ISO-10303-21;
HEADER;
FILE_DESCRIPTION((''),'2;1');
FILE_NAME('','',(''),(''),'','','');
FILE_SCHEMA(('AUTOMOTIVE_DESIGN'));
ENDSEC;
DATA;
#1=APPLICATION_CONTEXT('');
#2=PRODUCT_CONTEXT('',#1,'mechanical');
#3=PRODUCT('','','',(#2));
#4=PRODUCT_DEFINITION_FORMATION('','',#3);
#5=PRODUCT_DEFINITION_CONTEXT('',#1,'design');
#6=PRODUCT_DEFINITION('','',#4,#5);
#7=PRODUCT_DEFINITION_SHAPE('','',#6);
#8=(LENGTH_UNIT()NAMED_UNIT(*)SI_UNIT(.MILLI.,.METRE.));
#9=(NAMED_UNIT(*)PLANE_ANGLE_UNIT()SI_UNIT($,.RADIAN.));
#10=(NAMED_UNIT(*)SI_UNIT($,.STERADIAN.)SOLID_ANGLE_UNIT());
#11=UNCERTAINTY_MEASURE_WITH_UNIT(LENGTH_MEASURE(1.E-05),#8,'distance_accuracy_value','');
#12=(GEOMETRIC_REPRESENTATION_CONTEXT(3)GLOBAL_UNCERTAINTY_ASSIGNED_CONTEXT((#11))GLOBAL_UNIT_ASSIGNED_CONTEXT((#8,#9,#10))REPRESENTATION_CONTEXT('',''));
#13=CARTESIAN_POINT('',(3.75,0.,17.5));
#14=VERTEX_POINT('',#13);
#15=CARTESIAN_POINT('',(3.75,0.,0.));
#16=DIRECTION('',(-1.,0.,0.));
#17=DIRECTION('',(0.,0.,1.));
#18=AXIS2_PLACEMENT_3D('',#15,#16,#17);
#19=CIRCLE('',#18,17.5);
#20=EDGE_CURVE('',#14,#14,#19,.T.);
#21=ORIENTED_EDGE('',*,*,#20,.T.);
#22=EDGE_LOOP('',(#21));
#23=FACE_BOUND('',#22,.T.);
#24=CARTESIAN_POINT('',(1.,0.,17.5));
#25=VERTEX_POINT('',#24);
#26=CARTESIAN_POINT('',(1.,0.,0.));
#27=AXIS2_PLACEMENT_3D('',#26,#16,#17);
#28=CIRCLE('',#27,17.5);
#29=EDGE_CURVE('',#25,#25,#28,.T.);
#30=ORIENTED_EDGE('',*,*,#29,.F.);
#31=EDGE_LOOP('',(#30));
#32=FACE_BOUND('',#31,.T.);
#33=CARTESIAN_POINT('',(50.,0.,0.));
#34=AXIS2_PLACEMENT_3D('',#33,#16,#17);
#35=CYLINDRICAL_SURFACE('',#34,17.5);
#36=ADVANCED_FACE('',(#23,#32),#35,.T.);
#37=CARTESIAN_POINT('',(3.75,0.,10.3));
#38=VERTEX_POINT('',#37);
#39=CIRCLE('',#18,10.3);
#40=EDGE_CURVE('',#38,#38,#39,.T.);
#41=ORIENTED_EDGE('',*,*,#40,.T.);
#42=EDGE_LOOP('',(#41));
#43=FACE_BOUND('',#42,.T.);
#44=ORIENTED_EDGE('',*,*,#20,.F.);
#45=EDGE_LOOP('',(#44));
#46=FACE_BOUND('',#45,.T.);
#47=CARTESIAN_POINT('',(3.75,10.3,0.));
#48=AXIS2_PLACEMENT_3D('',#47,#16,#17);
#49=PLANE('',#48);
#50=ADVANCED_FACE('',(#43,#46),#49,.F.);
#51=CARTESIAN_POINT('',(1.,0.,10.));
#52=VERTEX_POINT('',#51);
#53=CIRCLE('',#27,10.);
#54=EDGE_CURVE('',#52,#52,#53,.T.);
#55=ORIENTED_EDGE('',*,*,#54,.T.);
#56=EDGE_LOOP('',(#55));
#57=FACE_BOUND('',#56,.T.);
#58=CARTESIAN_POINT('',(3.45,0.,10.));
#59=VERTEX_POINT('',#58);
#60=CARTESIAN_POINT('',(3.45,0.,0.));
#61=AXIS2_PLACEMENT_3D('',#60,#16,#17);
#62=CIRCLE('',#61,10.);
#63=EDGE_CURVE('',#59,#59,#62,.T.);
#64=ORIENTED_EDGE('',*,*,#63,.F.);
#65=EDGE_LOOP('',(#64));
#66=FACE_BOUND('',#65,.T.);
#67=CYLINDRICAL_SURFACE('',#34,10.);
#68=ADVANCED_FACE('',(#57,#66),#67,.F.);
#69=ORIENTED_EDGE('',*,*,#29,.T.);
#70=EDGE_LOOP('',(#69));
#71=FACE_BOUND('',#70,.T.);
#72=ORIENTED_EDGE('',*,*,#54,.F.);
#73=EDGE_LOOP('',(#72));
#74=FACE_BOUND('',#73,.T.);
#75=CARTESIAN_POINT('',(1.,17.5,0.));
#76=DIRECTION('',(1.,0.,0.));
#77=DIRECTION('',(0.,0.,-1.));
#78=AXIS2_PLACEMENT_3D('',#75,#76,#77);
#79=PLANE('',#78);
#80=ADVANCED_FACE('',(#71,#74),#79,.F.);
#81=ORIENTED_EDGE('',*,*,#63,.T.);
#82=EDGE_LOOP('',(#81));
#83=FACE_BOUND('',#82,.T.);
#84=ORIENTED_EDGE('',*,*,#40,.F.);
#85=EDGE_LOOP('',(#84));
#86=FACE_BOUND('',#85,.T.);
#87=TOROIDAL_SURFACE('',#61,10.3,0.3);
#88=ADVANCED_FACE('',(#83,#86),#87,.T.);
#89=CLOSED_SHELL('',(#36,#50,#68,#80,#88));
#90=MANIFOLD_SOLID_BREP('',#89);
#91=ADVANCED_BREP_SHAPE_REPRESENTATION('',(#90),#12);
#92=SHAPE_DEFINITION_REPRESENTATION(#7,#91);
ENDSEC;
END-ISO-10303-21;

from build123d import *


with BuildPart() as part:
    # Sketch1 → Revolve1 (revolve)
    with BuildSketch(Plane.XY):
        with BuildLine():
            Line((1, 10), (3.45, 10))
            ThreePointArc((3.45, 10), (3.662132034, 10.087867966), (3.75, 10.3))
            Line((3.75, 10.3), (3.75, 17.5))
            Line((3.75, 17.5), (1, 17.5))
            Line((1, 17.5), (1, 10))
        make_face()
    revolve(axis=Axis((50, 0, 0), (-1, 0, 0)))


solid = part.part
